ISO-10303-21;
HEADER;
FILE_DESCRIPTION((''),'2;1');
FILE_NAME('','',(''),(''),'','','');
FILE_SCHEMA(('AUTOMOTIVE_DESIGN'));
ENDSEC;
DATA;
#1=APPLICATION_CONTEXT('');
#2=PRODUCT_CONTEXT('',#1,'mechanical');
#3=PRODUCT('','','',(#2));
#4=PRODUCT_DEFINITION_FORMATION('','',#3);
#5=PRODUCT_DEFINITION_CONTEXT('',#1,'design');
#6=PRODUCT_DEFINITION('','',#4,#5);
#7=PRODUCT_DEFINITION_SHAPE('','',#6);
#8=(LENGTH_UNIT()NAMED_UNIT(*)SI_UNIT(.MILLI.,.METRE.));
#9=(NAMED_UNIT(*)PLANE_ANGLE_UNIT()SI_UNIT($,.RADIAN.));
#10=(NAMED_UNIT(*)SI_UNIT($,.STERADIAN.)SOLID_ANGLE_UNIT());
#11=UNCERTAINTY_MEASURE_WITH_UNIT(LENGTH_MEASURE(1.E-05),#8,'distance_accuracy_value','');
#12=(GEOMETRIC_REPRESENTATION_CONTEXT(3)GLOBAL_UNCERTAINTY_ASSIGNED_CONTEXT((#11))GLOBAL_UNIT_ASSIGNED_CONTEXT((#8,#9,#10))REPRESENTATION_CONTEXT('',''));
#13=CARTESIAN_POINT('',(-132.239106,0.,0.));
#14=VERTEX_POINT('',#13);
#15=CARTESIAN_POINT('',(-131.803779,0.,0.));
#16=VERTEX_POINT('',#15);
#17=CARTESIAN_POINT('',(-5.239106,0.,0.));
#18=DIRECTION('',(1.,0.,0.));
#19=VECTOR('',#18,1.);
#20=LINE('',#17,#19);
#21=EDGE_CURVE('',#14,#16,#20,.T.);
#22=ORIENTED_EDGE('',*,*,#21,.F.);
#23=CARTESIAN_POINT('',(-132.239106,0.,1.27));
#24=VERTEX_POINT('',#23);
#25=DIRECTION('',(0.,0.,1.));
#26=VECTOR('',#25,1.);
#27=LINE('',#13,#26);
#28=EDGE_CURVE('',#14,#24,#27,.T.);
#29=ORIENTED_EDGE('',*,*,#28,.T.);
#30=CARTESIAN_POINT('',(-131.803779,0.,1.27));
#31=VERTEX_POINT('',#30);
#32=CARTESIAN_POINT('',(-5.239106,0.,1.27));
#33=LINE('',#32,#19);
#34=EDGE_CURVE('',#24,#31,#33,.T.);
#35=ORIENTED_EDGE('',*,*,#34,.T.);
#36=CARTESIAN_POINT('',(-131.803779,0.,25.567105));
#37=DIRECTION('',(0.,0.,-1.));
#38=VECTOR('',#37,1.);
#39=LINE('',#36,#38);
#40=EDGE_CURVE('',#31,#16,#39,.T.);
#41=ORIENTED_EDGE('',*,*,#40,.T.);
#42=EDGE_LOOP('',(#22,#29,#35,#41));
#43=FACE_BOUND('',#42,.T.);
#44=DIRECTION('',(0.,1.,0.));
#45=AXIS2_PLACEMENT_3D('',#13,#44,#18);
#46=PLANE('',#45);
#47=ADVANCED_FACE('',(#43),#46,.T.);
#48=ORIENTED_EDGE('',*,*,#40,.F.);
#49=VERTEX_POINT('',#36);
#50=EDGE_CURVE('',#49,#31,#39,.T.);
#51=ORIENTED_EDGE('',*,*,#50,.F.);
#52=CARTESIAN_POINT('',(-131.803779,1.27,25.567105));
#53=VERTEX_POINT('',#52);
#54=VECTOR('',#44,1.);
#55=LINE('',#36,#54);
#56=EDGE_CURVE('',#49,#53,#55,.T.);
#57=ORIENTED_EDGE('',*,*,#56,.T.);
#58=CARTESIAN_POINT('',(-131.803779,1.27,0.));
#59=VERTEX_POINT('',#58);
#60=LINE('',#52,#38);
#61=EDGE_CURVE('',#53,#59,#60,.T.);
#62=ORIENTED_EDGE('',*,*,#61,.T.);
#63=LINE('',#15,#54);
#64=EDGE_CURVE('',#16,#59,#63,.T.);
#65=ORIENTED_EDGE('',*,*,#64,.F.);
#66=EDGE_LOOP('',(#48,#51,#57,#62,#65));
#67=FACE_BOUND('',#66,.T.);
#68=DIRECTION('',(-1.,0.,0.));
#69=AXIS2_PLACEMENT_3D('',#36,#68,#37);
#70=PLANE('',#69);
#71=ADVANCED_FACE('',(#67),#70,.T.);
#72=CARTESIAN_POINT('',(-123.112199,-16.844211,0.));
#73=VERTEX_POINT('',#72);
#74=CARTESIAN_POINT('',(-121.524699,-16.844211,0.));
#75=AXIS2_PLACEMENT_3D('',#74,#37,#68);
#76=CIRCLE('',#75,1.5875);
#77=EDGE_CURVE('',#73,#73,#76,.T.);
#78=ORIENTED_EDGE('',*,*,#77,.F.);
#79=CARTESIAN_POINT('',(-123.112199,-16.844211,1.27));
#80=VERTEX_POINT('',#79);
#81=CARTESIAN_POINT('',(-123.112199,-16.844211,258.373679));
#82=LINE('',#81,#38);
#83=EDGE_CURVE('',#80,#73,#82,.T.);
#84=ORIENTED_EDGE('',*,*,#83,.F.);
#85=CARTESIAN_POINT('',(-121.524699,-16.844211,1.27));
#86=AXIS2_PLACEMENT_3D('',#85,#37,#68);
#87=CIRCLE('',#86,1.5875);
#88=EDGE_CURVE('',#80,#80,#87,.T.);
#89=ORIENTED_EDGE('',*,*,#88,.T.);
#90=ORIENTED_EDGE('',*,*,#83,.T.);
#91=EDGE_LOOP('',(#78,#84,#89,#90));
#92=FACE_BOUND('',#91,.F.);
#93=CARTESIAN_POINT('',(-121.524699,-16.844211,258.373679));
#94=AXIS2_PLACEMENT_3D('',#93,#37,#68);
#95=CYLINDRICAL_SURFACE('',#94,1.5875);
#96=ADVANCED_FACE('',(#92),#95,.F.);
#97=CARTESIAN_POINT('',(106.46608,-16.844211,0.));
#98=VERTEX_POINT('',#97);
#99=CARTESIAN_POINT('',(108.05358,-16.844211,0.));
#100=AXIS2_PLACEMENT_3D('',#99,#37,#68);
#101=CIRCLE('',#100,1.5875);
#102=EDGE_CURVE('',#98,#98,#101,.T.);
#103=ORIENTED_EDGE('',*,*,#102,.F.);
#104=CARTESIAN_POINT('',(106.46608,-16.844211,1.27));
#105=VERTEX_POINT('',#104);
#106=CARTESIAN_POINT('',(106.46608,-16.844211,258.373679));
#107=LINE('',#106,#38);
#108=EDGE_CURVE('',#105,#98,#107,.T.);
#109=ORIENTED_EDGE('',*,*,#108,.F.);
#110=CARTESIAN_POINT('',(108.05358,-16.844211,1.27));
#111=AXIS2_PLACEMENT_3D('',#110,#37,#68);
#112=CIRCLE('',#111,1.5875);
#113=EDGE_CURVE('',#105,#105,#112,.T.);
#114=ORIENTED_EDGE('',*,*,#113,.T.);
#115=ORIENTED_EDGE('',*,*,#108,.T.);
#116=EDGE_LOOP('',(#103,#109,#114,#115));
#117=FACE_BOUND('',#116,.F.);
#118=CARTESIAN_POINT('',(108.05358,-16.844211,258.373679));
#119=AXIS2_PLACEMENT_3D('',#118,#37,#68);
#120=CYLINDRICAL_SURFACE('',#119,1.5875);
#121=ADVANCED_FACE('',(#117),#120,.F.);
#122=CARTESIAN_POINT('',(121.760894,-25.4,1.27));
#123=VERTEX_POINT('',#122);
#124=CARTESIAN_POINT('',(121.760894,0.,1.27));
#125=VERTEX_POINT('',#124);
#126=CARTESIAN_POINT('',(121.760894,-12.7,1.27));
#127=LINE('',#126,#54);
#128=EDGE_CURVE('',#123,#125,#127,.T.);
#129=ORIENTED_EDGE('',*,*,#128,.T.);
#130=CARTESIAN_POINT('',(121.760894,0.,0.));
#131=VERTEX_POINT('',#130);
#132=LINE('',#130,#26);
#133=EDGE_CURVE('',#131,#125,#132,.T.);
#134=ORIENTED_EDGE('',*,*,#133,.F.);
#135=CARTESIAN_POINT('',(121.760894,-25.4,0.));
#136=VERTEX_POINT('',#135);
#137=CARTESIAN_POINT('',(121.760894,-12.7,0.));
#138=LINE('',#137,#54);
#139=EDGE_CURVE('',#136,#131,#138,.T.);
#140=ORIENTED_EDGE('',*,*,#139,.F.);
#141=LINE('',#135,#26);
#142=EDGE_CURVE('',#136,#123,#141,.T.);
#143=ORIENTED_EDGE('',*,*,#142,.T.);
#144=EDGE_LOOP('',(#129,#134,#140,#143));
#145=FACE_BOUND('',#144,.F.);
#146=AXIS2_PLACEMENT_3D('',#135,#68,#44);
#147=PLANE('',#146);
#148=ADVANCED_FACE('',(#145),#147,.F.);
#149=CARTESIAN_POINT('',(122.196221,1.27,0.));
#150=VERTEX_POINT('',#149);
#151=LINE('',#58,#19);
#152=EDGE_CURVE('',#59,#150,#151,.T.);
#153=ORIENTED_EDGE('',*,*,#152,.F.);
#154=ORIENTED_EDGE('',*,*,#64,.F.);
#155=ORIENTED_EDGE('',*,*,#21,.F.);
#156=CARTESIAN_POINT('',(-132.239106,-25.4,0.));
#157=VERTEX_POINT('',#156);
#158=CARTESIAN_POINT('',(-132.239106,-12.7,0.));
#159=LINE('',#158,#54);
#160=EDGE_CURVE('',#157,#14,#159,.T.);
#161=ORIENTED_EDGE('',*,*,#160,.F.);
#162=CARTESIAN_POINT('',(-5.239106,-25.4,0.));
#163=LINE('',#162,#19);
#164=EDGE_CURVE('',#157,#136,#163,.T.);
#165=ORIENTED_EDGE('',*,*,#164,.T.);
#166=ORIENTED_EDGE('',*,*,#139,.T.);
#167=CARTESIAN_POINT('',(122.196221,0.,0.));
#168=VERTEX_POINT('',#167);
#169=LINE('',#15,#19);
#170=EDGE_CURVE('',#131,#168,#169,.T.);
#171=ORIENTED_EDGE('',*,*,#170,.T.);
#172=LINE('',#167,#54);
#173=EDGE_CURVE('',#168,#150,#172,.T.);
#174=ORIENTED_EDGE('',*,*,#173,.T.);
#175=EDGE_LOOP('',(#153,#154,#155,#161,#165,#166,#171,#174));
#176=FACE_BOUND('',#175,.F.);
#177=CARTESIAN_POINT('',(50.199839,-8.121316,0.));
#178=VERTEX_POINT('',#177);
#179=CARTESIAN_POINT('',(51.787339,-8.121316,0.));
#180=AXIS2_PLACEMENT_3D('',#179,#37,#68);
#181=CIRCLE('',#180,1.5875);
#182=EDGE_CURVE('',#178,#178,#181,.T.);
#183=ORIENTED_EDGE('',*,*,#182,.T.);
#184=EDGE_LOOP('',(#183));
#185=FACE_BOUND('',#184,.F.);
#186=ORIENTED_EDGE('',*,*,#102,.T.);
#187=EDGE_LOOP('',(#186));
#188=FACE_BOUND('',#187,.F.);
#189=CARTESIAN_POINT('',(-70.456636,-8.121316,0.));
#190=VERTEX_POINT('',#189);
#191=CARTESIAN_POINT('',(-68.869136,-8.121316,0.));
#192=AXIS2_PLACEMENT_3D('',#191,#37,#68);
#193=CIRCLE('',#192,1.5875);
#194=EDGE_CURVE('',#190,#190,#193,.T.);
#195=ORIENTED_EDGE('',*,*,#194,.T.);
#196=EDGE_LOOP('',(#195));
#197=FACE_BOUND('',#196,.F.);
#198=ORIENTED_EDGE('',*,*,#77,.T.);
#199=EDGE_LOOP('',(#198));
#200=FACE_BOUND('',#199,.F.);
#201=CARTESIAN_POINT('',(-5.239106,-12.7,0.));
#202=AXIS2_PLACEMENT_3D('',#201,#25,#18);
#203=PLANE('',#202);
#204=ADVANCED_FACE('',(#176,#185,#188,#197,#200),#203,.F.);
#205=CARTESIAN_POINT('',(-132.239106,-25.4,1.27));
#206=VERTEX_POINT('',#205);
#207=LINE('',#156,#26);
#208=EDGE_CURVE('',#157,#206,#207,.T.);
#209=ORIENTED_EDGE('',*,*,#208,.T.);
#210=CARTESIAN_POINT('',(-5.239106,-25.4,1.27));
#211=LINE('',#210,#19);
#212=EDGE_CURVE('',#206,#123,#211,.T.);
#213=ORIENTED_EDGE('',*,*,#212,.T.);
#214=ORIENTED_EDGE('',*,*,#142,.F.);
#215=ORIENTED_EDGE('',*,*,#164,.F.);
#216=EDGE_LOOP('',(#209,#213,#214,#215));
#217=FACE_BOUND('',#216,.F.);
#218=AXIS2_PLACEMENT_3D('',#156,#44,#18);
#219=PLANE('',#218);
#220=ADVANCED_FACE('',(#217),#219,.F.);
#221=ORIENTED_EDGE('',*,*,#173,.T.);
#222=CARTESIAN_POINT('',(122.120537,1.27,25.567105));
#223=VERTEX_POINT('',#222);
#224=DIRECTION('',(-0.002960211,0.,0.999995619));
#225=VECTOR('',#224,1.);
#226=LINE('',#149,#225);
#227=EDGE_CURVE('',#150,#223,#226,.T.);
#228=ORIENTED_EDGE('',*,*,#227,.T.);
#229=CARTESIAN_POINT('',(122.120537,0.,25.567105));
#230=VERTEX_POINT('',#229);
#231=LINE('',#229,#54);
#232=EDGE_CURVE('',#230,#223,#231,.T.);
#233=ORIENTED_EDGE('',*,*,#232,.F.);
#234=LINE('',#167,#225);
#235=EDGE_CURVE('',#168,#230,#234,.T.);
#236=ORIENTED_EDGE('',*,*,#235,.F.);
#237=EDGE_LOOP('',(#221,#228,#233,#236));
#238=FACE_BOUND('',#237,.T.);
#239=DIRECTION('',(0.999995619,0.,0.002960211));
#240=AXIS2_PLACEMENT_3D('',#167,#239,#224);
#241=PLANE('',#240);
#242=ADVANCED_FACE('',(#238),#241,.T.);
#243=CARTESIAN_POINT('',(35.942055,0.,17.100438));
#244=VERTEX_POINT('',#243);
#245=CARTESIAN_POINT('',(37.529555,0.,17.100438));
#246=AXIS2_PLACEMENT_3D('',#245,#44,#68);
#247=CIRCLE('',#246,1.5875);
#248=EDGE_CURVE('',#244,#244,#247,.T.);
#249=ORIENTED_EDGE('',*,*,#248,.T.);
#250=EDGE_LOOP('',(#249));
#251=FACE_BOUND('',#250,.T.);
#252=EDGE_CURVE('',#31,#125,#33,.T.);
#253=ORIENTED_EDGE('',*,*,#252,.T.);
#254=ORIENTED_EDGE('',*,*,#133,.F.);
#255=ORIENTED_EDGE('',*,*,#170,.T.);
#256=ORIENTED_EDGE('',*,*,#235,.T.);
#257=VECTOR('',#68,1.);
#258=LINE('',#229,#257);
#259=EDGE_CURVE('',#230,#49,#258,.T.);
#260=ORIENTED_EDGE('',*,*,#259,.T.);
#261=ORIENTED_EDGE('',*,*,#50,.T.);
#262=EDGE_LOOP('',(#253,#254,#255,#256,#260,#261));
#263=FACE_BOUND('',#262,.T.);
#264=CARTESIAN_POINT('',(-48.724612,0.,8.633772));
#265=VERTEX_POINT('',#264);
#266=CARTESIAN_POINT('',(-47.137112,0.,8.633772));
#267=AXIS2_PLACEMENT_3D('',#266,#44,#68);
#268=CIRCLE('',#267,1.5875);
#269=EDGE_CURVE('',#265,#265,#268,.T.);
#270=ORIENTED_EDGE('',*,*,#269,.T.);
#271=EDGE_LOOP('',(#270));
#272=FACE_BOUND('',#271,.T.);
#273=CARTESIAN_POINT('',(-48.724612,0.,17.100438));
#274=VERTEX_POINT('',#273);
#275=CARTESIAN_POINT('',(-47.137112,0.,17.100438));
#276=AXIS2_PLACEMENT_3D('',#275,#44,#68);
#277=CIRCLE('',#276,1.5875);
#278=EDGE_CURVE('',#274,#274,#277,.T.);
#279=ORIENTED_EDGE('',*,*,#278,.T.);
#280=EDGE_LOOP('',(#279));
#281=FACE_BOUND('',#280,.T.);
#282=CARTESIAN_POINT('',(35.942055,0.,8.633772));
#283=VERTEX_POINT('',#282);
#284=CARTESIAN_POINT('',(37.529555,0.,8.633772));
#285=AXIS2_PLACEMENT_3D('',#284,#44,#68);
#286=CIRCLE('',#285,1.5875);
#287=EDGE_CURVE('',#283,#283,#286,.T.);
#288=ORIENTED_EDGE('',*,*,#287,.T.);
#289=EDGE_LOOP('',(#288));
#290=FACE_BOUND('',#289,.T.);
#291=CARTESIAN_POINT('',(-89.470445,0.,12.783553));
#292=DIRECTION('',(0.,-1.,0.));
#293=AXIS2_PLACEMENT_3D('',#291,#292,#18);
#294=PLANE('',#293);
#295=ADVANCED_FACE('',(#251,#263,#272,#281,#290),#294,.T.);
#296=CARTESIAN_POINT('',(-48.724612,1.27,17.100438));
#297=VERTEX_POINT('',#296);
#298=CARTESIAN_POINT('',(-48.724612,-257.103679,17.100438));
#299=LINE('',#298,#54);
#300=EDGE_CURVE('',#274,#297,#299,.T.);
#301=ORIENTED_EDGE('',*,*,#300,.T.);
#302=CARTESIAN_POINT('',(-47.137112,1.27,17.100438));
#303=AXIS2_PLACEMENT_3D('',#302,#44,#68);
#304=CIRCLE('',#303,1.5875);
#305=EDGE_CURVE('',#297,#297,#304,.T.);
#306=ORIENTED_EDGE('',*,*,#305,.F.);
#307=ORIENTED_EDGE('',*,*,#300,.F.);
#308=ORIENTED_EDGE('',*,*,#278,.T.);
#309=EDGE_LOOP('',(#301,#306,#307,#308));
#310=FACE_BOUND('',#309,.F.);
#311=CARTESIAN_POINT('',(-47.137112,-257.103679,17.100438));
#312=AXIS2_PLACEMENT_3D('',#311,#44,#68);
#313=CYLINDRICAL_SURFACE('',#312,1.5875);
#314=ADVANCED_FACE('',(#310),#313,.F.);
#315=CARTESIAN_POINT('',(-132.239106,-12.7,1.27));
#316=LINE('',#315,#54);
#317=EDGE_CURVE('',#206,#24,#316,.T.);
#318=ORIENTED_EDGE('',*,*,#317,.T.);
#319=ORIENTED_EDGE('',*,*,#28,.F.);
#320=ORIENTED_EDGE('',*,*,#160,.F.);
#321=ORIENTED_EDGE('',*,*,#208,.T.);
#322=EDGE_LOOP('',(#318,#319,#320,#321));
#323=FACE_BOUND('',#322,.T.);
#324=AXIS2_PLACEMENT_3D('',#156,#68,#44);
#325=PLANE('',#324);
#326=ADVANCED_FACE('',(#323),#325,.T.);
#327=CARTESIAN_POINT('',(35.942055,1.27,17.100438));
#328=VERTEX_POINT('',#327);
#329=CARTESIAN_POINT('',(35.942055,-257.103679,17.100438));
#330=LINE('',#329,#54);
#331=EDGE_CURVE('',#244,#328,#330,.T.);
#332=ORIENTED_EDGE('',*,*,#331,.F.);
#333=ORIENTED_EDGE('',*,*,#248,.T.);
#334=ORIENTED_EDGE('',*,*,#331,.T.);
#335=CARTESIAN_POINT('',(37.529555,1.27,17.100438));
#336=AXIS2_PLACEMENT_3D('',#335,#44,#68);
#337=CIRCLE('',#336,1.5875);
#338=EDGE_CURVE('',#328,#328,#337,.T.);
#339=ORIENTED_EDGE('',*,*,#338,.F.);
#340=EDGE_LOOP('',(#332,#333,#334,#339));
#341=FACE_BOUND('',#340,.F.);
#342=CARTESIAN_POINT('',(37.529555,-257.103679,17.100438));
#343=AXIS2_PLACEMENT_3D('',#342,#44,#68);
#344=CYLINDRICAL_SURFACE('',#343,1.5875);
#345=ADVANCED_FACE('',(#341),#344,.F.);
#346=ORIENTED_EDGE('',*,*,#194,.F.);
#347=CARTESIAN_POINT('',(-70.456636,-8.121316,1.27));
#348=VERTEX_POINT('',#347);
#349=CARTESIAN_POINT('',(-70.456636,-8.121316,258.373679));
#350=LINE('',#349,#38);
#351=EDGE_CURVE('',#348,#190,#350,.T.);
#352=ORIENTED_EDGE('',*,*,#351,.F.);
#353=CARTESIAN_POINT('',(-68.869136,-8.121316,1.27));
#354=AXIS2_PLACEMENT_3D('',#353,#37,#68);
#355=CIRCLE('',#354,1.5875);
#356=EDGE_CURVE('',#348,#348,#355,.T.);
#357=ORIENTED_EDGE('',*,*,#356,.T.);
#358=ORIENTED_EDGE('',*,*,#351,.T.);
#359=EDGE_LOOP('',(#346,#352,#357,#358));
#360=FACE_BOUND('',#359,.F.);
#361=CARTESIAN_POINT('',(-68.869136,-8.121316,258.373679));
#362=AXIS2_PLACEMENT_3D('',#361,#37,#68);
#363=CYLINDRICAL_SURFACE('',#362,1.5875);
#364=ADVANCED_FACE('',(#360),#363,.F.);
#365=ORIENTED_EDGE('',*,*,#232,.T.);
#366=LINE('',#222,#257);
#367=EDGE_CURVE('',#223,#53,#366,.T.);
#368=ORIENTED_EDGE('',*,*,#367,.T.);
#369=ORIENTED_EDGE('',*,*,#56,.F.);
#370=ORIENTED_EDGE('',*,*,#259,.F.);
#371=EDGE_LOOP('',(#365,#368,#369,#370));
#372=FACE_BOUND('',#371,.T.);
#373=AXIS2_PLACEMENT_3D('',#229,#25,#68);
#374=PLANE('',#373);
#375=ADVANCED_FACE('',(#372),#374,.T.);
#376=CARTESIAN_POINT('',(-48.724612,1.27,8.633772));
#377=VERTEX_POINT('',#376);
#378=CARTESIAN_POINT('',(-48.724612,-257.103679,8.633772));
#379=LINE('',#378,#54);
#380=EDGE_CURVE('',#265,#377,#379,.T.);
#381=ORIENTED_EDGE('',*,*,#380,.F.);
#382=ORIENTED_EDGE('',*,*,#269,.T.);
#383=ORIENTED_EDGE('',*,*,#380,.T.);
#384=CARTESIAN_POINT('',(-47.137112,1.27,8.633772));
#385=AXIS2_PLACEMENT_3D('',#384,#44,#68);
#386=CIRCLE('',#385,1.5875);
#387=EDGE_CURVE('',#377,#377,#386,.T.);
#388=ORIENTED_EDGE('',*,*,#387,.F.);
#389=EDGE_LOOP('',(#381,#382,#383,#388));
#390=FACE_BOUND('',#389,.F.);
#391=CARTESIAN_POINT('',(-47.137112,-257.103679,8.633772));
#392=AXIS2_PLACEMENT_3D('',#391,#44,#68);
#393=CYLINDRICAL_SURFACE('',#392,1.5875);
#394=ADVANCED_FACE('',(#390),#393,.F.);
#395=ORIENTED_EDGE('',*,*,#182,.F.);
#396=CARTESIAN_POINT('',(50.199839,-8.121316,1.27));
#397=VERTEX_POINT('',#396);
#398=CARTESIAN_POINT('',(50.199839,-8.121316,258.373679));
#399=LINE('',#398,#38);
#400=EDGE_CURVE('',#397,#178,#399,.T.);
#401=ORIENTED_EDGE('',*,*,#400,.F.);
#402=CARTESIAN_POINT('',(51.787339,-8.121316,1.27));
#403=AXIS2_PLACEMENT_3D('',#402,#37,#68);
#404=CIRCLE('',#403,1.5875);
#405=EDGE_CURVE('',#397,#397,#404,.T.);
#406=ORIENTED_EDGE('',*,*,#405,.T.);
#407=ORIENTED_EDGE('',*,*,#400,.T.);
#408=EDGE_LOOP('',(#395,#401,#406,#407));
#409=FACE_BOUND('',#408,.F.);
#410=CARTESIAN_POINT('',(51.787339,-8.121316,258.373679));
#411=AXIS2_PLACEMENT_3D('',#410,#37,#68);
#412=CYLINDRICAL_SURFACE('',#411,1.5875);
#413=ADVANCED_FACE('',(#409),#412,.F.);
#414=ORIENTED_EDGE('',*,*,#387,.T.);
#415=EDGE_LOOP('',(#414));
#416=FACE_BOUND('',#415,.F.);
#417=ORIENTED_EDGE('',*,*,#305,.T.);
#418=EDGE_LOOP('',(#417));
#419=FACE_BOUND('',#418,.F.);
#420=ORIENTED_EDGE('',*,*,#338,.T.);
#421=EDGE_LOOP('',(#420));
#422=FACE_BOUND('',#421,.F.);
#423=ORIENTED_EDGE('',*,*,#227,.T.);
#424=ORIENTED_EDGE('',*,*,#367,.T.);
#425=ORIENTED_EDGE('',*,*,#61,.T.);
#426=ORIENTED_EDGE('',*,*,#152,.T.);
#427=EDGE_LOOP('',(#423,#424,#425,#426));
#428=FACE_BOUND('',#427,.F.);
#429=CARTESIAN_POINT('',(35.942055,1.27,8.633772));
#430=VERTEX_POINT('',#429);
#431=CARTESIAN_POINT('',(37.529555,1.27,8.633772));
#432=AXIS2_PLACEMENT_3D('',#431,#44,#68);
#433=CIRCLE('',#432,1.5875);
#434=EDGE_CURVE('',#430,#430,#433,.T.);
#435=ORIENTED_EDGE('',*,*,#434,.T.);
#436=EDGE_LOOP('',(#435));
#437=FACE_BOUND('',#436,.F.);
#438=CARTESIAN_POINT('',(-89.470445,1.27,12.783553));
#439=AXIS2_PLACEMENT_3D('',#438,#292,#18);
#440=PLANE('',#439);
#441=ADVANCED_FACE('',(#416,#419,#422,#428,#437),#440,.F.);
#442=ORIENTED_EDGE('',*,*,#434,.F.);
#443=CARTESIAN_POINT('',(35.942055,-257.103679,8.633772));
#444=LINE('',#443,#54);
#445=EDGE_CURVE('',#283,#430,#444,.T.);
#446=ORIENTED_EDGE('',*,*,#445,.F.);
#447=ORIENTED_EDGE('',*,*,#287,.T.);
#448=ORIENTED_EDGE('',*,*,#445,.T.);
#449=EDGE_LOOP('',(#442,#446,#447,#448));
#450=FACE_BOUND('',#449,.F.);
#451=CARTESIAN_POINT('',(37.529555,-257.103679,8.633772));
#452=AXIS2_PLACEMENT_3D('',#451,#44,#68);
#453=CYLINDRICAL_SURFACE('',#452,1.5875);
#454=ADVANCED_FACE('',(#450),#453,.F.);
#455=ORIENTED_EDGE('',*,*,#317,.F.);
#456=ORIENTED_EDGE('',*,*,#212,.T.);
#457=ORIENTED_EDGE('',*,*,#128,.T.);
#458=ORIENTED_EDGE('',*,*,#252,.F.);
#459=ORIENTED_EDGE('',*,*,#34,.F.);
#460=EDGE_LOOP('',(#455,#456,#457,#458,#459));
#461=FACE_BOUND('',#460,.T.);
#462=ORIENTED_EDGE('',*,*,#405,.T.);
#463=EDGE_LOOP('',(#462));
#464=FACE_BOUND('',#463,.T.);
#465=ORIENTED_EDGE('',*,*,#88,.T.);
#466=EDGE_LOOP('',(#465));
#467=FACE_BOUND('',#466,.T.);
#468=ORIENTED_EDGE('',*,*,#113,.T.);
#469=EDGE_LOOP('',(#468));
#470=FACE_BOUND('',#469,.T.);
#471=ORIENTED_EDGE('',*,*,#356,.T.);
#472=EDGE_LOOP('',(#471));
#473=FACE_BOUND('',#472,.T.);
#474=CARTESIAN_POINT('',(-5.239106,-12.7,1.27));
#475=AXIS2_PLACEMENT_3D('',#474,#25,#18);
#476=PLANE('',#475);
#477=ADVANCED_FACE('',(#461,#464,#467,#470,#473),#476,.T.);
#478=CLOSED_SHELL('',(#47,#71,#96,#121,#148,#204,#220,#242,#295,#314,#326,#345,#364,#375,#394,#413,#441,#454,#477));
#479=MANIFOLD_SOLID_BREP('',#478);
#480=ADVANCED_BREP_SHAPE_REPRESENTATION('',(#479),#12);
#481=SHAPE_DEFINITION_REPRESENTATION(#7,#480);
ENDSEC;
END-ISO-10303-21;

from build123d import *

# Parameters (mm, degrees)
F0_W     = 84.6666666667
F0_H     = 8.6337717066
F0_H_2   = 8.4666666667
F2_DEPTH = 1.27
F1_W     = 254
F1_H     = 25.4
F3_DEPTH = 1.27
F4_D     = 3.175
F6_D     = 3.175


with BuildPart() as f2:
    # F0 (on Front) → F2 (new body)
    with BuildSketch(Plane.XZ):
        Polygon((-131.8037787787, 25.56710504), (-131.8037787787, 0), (-47.137112112, 0), (-47.137112112, 8.6337717066), (-47.137112112, 17.1004383733), (-47.137112112, 25.56710504), align=None)
        with Locations((-4.8037787787, 4.3168858533)):
            Rectangle(F0_W, F0_H)
        Polygon((37.5295545547, 8.6337717066), (37.5295545547, 0), (122.1962212213, 0), (122.1205368638, 25.56710504), (37.5295545547, 25.56710504), (37.5295545547, 17.1004383733), align=None)
        with Locations((-4.8037787787, 21.3337717066)):
            Rectangle(F0_W, F0_H_2)
        with Locations((-4.8037787787, 12.86710504)):
            Rectangle(F0_W, F0_H_2)
    extrude(amount=-F2_DEPTH)

    # F1 (on Top) → F3 (join)
    with BuildSketch(Plane.XY):
        with Locations((-5.2391063539, -12.7)):
            Rectangle(F1_W, F1_H)
    extrude(amount=F3_DEPTH)

    # F4 (through all)
    with Locations(Plane.XZ):
        with Locations((-47.137112112, 8.6337717066), (37.5295545547, 8.6337717066), (37.5295545547, 17.1004383733), (-47.137112112, 17.1004383733)):
            Hole(F4_D / 2)

    # F6 (through all)
    with Locations(Plane.XY.offset(1.27)):
        with Locations((-121.5246990323, -16.8442111462), (-68.8691362739, -8.1213163212), (51.7873391509, -8.1213163212), (108.0535799265, -16.8442111462)):
            Hole(F6_D / 2)


solid = f2.part
